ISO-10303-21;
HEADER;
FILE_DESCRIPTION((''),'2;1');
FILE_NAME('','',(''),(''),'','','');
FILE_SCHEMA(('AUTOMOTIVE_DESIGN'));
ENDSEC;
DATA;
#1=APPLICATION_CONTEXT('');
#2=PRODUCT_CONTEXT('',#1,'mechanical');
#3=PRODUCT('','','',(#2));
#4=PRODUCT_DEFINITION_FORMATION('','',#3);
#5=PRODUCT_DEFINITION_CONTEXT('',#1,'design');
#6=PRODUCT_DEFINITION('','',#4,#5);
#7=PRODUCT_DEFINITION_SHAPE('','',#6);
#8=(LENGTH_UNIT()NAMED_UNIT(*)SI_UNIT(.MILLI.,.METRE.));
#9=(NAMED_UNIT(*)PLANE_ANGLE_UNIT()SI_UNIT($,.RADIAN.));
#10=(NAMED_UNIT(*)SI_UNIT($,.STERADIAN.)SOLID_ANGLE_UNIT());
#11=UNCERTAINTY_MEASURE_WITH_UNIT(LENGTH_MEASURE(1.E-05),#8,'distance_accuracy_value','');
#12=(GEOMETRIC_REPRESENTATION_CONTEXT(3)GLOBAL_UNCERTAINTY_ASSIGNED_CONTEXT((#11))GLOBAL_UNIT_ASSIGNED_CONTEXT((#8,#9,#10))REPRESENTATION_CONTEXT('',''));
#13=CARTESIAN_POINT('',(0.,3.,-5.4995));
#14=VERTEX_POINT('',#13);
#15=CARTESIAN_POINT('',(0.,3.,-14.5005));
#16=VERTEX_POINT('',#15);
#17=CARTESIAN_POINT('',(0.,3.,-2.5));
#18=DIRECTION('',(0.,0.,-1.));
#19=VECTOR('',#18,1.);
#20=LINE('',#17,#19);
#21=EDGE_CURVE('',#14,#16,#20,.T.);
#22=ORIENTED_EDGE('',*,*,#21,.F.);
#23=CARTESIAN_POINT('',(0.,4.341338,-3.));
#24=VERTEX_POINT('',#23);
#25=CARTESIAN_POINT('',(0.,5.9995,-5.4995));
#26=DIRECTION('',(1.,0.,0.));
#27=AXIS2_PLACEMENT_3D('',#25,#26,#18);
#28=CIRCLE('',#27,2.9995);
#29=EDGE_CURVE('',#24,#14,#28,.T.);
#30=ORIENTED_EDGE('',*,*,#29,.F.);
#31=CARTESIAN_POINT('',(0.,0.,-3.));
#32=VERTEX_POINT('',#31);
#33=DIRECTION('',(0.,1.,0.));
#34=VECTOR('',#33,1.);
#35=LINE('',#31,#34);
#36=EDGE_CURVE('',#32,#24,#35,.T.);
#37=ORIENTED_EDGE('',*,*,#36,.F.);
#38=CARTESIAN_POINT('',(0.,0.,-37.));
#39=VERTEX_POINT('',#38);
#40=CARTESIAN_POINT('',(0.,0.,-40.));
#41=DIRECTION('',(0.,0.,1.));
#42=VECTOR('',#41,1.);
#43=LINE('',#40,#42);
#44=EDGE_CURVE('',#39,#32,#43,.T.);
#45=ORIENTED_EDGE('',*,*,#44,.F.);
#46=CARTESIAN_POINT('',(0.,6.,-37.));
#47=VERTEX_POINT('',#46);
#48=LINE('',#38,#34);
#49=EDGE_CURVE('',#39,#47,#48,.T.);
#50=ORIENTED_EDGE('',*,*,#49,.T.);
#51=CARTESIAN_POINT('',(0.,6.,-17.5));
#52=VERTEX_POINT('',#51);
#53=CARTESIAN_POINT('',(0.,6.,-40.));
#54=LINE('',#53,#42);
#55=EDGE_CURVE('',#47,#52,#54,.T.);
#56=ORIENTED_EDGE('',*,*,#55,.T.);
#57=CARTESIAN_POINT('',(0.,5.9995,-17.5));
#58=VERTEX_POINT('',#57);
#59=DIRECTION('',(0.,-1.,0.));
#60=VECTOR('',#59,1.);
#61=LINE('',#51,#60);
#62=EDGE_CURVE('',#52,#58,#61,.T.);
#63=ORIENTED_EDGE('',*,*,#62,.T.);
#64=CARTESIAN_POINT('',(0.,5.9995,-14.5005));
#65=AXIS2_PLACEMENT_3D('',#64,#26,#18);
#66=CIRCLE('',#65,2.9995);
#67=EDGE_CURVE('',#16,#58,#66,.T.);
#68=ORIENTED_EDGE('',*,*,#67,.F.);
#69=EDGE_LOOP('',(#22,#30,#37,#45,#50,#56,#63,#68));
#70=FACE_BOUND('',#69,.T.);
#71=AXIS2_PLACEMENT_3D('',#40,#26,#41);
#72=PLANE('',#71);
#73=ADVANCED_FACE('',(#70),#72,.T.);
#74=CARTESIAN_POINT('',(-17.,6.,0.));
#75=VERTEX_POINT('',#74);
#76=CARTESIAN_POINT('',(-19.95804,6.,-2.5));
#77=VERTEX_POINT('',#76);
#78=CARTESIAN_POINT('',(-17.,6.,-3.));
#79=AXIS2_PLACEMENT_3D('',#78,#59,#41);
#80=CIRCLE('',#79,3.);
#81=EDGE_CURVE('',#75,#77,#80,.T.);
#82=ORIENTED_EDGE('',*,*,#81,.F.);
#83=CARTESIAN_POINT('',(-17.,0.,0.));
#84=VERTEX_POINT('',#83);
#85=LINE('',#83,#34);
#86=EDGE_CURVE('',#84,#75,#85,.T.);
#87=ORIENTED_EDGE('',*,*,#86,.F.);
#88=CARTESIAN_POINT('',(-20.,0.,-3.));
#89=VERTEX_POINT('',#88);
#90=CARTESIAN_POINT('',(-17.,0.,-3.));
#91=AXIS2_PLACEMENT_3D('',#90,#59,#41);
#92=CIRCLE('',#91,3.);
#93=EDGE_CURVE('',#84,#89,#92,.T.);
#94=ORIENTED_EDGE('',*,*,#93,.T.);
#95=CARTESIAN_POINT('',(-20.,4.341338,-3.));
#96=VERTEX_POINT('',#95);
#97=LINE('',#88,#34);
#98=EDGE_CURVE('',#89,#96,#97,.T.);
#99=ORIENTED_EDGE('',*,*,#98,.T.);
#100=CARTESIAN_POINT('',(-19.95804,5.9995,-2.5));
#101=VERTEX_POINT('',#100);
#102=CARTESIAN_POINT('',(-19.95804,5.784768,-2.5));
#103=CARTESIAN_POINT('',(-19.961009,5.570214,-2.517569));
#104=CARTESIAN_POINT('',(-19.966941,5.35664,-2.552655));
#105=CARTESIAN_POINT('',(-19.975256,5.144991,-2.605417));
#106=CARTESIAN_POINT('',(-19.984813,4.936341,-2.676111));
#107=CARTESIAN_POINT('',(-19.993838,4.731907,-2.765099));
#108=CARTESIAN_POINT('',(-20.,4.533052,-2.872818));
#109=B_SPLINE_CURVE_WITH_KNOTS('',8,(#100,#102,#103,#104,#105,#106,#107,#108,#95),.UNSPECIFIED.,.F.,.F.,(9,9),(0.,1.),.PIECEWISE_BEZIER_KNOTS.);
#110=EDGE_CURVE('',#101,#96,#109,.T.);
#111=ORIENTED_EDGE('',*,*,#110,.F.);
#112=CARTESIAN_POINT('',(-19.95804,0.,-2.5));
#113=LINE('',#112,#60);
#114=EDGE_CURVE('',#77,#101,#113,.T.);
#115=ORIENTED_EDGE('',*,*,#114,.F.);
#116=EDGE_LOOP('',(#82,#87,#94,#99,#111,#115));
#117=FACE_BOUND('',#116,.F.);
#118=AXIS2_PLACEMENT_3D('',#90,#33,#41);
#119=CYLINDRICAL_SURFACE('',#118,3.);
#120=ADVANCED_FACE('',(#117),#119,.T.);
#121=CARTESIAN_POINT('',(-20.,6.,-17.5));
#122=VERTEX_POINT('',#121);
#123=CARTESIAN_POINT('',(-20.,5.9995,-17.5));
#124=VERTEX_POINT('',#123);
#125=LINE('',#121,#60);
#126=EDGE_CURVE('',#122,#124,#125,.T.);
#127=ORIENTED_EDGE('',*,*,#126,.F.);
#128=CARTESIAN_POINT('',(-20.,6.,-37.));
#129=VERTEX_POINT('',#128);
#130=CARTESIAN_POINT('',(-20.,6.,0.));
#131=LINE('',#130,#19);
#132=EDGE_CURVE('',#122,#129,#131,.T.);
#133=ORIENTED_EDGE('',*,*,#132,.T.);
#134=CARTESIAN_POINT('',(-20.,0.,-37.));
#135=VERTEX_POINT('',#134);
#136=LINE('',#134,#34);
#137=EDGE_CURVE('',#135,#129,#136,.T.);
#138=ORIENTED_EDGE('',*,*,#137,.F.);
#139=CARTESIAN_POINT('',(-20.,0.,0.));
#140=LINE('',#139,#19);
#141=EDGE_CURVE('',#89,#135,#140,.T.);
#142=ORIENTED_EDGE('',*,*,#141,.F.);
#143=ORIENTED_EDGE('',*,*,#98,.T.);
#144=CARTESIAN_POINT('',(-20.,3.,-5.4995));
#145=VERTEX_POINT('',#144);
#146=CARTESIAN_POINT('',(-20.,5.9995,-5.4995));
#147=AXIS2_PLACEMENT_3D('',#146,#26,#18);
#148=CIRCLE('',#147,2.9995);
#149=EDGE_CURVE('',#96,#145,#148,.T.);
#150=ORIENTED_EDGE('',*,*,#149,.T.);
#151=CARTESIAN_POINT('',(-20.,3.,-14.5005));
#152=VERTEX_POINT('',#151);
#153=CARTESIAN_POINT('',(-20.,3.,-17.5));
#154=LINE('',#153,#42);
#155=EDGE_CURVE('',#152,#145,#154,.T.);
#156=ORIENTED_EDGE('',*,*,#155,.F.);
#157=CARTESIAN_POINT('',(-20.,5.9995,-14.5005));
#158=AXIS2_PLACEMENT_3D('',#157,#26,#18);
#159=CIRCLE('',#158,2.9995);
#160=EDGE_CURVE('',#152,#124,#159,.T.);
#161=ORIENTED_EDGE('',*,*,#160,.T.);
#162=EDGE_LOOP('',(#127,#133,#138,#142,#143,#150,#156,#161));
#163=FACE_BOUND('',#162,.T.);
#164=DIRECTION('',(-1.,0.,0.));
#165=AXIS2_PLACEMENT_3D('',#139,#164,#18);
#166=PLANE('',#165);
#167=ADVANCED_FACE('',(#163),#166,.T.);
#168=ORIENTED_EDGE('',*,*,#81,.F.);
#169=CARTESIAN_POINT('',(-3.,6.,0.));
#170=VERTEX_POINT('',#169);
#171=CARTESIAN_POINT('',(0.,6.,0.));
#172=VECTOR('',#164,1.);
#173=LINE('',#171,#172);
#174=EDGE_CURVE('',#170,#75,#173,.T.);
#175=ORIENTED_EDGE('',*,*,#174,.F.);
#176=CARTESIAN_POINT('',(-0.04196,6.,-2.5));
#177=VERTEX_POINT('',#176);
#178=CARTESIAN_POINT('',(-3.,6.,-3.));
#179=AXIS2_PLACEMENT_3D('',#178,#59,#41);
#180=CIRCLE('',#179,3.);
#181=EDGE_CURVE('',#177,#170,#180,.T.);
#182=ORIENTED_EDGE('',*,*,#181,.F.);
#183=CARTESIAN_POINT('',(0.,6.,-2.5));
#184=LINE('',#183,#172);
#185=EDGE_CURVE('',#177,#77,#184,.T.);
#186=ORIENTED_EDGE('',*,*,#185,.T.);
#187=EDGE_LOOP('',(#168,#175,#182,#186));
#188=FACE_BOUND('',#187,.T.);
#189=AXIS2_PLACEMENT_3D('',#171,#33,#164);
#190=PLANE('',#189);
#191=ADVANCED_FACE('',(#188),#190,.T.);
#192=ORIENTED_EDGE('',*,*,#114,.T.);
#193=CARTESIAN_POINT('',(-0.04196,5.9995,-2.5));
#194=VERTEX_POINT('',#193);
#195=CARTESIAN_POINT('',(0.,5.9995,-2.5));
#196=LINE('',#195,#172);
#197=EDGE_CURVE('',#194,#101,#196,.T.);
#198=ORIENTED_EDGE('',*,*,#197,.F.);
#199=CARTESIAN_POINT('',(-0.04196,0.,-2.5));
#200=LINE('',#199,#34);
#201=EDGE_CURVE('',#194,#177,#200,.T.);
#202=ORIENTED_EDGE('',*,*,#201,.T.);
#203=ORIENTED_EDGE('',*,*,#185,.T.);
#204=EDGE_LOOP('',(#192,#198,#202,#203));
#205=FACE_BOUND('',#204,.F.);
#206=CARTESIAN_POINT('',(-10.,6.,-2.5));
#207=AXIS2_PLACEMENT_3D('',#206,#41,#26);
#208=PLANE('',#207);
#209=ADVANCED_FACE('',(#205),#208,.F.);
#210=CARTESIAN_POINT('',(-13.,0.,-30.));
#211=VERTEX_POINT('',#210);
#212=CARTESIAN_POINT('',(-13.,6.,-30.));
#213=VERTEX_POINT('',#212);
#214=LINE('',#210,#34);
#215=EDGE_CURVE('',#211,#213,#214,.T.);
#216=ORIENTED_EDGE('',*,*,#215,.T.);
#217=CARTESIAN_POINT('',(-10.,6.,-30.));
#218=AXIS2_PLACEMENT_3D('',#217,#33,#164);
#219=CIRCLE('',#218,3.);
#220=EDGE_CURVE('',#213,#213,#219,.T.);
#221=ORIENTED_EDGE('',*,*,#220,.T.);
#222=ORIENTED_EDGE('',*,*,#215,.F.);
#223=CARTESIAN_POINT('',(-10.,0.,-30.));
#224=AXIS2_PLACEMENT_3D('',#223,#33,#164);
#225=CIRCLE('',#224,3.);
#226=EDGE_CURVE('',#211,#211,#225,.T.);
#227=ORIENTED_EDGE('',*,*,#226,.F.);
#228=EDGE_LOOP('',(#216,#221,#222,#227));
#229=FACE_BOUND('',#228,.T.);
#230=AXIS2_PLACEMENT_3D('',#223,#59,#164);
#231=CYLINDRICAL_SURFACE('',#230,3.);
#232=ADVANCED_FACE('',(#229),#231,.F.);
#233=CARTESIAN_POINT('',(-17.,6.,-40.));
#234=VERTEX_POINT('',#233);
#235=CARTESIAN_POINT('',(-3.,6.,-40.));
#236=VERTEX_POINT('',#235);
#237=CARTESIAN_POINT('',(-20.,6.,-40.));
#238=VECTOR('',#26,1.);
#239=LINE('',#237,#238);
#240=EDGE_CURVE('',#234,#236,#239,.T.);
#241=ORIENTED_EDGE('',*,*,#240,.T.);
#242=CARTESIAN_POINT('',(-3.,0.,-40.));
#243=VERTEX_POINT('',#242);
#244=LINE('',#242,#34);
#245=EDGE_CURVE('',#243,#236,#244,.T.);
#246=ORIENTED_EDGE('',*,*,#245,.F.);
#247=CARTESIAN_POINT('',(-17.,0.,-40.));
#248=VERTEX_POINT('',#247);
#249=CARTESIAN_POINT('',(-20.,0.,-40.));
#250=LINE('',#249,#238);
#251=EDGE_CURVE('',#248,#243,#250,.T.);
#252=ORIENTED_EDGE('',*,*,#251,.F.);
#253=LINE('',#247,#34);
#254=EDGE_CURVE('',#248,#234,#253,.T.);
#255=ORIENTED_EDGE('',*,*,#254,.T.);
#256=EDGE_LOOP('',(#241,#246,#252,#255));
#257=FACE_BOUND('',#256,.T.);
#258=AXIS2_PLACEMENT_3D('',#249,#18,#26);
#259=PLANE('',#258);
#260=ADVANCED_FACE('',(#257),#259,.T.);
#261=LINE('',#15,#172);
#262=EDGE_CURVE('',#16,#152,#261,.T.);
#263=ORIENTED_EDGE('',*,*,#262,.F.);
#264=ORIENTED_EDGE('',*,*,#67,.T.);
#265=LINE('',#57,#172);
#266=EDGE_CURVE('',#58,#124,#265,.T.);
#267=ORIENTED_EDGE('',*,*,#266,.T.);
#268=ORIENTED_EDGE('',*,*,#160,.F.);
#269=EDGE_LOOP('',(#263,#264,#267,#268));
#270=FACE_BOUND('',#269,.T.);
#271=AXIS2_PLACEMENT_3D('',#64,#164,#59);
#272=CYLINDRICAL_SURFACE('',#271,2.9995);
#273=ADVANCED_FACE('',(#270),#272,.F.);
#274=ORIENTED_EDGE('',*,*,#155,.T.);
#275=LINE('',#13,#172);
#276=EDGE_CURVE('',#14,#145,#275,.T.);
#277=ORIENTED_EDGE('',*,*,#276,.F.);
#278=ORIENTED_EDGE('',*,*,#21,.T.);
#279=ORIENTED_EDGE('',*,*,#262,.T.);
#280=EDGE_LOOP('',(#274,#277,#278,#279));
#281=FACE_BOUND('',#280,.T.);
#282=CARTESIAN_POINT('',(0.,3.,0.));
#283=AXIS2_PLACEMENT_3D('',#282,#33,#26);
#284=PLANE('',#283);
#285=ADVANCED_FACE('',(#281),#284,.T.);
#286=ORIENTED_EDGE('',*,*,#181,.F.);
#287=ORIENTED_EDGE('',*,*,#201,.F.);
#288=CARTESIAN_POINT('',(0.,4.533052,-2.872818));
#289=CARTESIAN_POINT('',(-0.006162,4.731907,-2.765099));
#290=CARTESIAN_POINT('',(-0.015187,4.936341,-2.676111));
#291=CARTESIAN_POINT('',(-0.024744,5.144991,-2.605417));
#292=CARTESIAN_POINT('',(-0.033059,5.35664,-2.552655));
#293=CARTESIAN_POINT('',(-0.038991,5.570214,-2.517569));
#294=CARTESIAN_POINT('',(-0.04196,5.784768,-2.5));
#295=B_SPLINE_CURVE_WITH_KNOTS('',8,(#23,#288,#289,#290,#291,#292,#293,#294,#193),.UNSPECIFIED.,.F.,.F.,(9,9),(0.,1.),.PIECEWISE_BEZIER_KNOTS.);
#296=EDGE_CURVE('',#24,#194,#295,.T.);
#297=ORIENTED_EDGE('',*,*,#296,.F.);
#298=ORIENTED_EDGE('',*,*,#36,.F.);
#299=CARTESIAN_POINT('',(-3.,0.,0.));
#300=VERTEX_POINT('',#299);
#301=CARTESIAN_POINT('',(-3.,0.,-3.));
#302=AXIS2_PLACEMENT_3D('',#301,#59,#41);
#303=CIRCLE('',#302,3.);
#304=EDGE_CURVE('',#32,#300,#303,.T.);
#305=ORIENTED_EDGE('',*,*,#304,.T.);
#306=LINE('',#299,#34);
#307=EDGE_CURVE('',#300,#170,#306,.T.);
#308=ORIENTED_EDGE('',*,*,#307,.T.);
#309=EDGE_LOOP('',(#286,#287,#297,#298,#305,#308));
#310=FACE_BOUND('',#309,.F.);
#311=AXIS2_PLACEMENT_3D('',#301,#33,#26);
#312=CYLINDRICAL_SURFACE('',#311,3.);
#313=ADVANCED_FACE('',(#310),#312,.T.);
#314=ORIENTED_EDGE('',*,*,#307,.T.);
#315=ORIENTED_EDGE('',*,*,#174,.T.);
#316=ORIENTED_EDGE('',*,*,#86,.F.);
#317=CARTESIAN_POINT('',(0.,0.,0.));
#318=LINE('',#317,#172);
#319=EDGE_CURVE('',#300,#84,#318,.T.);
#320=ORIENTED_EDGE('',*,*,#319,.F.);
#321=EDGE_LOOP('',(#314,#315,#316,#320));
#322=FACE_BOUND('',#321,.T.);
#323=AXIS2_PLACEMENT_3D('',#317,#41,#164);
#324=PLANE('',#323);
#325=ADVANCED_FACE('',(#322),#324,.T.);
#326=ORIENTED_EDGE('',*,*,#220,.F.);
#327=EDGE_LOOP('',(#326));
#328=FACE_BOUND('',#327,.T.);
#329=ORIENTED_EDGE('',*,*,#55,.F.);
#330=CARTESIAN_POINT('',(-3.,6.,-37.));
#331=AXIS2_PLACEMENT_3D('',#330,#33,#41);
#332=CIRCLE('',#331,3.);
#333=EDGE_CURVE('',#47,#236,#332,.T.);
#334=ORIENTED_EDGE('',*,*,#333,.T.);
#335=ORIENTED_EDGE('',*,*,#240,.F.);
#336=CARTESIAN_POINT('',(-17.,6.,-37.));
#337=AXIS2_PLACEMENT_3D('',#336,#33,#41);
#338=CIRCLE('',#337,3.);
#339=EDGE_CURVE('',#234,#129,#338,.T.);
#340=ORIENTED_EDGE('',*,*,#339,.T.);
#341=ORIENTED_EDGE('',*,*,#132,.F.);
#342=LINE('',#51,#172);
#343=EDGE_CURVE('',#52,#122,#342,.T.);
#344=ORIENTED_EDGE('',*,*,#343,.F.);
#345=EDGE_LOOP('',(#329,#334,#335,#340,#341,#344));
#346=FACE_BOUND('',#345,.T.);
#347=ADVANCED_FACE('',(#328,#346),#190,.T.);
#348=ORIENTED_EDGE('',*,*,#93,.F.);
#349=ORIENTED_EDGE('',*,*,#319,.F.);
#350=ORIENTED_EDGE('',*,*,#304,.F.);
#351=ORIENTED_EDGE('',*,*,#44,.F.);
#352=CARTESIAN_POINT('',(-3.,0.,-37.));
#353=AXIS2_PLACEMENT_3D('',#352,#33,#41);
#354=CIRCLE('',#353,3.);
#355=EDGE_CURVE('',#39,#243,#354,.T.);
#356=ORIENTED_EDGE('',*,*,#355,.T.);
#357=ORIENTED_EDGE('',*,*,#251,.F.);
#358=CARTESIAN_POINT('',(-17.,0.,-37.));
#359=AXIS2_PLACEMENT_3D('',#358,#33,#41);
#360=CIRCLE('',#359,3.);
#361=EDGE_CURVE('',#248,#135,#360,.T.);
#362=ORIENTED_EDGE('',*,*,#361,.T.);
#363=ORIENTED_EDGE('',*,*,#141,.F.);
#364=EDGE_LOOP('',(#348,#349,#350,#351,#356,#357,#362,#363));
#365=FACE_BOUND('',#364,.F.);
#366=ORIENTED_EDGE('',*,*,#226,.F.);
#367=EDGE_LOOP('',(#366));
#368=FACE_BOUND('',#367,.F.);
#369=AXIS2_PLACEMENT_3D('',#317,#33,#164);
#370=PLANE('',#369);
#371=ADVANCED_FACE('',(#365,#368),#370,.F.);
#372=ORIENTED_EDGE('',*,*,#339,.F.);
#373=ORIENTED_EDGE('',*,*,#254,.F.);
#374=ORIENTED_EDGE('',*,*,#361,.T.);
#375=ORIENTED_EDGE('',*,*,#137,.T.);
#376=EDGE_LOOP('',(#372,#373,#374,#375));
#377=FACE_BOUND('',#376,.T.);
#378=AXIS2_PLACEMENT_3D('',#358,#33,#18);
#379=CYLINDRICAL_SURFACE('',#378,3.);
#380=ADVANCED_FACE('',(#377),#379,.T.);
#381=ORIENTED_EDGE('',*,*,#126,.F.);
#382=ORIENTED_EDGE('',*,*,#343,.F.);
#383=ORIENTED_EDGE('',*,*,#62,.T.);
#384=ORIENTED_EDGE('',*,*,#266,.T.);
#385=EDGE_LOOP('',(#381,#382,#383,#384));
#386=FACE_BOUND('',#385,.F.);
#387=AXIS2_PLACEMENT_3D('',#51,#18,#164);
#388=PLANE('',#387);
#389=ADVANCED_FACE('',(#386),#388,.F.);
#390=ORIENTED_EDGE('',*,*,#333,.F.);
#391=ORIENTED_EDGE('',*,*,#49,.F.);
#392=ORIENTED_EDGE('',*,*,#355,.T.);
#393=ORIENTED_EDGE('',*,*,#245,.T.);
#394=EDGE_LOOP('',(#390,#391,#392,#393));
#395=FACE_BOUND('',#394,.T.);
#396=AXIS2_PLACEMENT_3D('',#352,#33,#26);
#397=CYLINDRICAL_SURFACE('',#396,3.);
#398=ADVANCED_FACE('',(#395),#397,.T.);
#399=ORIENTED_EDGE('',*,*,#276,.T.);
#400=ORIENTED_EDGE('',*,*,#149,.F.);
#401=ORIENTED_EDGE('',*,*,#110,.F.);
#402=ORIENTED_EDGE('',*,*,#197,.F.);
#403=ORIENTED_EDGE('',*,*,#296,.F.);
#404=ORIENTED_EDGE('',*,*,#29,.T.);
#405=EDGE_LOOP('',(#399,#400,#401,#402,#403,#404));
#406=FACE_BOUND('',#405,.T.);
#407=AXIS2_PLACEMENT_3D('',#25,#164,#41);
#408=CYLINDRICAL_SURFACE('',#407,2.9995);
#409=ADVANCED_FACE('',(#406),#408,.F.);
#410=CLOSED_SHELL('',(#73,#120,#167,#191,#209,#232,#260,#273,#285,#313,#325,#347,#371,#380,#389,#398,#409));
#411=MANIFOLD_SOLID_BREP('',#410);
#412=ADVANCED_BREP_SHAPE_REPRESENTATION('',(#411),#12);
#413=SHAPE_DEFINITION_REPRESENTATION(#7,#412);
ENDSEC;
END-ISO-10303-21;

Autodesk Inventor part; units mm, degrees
ref_plane "YZ Plane" through (0, 0, 0) normal (1, 0, 0) x (0, 1, 0)
ref_plane "XZ Plane" through (0, 0, 0) normal (0, 1, 0) x (-1, 0, 0)
ref_plane "XY Plane" through (0, 0, 0) normal (0, 0, 1) x (1, 0, 0)
sketch "Sketch1" plane through (0, 0, 0) normal (0, 1, 0) x (-1, 0, 0)
  line L0 (0, 0) -> (20, 0)
  line L1 (20, 0) -> (20, -40)
  line L2 (20, -40) -> (0, -40)
  line L3 (0, -40) -> (0, 0)
  circle A0 centre (10, -30) radius 3
  dimension "d0" = 20
  dimension "d1" = 40
  dimension "d2" = 6
  dimension "d3" = 10
  dimension "d4" = 10
extrude "Extrusion1" add sketch "Sketch1" along normal blind 6
sketch "Sketch2" plane through (0, 6, 0) normal (0, 1, 0) x (1, 0, 0)
  line L0 (-20, 0) -> (0, 0) projected
  line L1 (-10, 0) -> (-10, 10)
  line L2 (0, 17.5) -> (-20, 17.5)
  line L3 (-20, 17.5) -> (-20, 2.5)
  line L4 (-20, 2.5) -> (0, 2.5)
  line L5 (0, 2.5) -> (0, 17.5)
  line L6 (0, 17.5) -> (-20, 2.5) construction
  line L7 (-20, 17.5) -> (0, 2.5) construction
  dimension "d7" = 10
  dimension "d8" = 20
  dimension "d9" = 15
extrude "Extrusion2" cut sketch "Sketch2" against normal blind 3
fillet "Fillet1" radius 3 2 edges at (-10, 3, -17.5) (-10, 3, -2.5)
fillet "Fillet2" radius 3 4 edges at (-20, 3, -40) (0, 3, -40) (-20, 3, 0) (0, 3, 0)
properties part number "CableTieDown"
